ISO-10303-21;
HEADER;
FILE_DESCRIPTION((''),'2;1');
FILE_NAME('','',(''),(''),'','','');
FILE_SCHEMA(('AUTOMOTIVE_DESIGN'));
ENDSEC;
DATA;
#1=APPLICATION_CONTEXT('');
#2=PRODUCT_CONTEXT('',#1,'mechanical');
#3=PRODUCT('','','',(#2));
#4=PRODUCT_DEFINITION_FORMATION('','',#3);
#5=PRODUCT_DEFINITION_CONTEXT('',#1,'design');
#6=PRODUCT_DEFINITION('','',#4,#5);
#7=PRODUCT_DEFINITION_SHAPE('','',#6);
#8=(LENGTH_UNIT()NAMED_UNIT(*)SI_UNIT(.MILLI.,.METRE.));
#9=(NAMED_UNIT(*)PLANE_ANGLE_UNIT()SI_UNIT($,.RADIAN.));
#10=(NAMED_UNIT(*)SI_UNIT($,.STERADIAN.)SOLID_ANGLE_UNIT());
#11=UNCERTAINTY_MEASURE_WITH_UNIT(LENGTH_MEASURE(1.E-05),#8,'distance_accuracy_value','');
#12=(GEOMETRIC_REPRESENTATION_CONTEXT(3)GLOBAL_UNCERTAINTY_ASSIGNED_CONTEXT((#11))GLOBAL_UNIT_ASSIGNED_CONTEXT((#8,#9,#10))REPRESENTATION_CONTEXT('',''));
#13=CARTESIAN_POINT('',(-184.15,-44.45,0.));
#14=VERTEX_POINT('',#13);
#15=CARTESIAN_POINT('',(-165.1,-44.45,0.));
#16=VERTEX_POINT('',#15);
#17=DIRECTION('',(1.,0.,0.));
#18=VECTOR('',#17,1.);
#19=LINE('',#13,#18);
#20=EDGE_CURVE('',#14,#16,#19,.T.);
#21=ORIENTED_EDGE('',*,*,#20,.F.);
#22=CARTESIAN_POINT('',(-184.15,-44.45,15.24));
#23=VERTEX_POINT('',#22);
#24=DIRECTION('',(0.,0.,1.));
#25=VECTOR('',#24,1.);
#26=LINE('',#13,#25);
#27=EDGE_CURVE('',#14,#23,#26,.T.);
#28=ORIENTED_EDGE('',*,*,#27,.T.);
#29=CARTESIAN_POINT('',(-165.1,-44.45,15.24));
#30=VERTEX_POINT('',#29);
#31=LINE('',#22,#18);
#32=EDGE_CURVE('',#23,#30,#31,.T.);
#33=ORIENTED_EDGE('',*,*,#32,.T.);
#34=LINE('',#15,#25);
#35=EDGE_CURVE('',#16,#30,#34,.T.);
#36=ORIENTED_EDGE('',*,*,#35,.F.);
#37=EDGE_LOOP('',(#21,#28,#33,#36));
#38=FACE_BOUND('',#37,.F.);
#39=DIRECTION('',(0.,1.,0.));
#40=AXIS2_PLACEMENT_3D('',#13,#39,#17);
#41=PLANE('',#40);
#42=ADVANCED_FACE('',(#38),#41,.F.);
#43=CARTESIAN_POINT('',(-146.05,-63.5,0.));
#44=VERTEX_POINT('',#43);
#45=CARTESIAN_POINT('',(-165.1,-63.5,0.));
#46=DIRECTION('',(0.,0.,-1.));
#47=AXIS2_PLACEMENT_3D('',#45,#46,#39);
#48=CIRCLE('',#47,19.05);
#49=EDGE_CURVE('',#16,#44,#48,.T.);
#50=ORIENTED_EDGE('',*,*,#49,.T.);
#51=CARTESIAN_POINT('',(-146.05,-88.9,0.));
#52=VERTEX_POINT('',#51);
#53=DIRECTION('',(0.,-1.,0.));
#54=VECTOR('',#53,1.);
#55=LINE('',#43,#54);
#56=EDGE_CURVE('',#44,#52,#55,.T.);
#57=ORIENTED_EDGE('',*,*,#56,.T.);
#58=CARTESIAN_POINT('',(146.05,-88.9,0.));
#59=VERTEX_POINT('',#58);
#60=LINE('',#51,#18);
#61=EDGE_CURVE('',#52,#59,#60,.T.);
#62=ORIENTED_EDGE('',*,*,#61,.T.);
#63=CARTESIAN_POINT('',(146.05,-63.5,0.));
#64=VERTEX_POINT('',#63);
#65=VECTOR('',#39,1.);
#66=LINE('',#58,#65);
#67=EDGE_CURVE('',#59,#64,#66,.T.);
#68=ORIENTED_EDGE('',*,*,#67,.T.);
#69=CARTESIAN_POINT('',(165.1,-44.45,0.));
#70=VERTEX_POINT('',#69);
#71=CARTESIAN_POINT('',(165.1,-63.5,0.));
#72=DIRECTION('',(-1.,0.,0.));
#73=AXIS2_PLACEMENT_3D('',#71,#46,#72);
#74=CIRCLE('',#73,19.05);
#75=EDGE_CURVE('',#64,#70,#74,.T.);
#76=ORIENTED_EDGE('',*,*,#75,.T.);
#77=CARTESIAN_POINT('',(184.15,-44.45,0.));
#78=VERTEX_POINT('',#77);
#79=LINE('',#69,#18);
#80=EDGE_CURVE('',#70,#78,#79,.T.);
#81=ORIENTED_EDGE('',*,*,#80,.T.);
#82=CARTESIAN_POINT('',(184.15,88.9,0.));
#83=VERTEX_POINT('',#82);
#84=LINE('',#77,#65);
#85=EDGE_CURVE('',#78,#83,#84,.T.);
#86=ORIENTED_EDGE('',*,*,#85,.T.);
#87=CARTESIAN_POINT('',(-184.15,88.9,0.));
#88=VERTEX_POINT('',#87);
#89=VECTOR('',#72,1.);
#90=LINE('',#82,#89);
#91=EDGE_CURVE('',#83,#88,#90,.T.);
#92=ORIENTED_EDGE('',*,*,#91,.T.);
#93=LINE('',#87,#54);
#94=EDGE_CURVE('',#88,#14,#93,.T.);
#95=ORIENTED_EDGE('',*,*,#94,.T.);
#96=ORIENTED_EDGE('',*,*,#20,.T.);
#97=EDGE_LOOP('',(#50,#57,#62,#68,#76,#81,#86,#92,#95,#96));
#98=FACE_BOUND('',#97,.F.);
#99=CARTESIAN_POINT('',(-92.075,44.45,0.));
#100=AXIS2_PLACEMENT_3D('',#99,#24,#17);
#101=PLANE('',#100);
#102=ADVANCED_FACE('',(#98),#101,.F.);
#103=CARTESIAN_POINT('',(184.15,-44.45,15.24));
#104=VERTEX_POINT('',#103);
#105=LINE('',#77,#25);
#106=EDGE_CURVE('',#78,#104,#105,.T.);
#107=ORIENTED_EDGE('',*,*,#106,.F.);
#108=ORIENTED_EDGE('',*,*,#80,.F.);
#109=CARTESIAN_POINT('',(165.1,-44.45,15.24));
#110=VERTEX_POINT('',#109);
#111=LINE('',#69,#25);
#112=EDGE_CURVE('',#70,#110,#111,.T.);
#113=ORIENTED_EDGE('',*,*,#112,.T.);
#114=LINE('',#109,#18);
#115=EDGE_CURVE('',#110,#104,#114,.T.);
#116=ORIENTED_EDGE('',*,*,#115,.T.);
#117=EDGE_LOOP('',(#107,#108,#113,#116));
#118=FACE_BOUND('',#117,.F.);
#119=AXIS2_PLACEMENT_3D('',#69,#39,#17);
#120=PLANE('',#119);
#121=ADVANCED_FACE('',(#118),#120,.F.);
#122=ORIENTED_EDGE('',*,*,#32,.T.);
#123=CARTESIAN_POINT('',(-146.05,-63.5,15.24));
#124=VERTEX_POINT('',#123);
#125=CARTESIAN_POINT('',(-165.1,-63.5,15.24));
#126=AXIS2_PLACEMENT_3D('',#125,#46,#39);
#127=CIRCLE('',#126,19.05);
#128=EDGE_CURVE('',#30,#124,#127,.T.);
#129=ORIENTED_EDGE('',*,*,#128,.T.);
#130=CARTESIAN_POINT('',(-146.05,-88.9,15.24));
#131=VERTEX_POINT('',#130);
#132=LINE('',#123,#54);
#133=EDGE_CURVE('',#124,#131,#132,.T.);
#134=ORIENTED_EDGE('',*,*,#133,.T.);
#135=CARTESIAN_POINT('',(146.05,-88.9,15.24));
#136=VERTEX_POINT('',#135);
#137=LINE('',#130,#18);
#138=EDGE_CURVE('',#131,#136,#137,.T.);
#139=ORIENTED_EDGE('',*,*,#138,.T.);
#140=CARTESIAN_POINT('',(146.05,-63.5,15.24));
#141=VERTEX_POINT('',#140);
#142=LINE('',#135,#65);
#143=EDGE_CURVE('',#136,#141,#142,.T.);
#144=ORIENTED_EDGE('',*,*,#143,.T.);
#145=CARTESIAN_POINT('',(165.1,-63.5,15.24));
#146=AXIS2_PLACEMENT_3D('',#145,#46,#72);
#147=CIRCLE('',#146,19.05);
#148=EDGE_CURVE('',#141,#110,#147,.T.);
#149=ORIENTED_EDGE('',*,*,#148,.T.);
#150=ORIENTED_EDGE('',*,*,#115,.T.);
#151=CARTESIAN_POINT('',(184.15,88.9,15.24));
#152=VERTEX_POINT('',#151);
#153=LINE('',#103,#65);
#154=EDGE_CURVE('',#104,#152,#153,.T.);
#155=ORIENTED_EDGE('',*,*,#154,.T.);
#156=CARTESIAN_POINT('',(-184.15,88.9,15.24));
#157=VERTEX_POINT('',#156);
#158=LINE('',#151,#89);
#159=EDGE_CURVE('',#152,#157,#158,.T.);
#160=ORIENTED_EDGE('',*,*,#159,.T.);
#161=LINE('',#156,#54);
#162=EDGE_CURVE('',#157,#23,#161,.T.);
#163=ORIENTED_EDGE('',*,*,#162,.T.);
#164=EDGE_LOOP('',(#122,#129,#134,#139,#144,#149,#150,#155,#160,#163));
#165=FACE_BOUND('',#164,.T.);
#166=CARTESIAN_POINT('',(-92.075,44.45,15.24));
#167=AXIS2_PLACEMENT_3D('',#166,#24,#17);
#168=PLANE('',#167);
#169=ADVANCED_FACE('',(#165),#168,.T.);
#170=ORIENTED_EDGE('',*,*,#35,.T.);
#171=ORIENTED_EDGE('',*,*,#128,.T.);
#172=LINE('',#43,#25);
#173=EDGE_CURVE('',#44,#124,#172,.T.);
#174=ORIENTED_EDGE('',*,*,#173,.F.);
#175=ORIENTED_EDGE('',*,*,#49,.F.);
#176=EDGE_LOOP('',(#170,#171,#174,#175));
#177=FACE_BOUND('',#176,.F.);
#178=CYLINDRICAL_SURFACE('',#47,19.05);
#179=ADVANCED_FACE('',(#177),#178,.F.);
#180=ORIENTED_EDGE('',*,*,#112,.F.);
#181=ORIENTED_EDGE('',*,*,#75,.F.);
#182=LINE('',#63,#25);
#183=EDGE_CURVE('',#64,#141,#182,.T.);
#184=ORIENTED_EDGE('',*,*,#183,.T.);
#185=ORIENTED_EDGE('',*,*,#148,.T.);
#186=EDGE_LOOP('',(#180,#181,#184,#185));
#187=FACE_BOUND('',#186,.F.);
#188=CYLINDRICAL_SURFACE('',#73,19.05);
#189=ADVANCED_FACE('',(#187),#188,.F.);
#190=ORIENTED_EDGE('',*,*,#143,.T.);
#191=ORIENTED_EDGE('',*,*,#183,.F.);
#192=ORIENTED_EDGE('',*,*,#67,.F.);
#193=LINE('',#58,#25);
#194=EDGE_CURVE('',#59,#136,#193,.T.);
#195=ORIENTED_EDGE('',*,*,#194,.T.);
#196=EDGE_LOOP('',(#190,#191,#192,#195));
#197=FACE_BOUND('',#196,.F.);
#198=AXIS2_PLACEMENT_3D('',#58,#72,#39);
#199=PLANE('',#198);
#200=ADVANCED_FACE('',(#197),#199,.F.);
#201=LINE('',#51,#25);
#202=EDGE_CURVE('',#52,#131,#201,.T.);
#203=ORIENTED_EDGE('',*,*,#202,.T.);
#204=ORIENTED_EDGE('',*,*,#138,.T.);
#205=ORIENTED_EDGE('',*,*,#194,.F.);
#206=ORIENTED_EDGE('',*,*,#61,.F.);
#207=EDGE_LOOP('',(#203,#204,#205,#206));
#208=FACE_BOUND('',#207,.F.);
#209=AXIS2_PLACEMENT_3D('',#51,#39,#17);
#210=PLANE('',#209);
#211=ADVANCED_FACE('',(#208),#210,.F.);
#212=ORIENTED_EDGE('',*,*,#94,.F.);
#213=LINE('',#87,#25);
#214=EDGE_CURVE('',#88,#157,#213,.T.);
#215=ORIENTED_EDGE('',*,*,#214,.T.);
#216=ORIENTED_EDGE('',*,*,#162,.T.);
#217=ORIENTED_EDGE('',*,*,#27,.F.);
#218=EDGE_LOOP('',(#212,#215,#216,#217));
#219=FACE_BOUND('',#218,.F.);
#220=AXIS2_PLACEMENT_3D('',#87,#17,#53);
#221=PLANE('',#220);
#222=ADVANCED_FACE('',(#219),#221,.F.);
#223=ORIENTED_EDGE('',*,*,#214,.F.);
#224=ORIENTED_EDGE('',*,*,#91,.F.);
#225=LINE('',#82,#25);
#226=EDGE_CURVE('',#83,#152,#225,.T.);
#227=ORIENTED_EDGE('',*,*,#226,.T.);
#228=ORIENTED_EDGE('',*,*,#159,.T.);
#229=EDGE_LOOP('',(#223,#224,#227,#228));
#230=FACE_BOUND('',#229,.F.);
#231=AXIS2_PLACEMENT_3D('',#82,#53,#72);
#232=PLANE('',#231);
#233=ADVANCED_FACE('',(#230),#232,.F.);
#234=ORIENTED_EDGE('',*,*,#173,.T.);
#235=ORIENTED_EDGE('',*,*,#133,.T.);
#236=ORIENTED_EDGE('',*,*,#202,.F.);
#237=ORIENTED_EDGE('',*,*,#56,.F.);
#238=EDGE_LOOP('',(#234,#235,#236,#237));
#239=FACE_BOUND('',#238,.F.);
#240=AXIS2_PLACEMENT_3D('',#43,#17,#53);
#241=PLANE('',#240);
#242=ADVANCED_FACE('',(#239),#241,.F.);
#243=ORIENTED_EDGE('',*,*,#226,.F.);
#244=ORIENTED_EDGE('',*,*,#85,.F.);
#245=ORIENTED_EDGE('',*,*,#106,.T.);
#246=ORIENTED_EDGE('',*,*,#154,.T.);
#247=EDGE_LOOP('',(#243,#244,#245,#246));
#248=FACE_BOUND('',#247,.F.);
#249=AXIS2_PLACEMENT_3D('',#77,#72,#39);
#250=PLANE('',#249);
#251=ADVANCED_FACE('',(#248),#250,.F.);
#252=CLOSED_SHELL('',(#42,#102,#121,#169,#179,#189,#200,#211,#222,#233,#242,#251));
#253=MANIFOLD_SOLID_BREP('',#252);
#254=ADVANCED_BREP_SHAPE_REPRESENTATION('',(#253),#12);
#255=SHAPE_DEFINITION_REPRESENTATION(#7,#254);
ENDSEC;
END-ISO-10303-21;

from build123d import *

# Parameters (mm, degrees)
F0_W     = 184.15
F0_H     = 88.9
F1_DEPTH = 15.24


with BuildPart() as f1:
    # F0 (on Top) → F1 (new body)
    with BuildSketch(Plane.XY):
        with Locations((-92.075, 44.45)):
            Rectangle(F0_W, F0_H)
        with Locations((92.075, 44.45)):
            Rectangle(F0_W, F0_H)
        with BuildLine():
            Line((0, 0), (-184.15, 0))
            Line((-184.15, 0), (-184.15, -44.45))
            Line((-184.15, -44.45), (-165.1, -44.45))
            ThreePointArc((-165.1, -44.45), (-151.6296158184, -50.0296158184), (-146.05, -63.5))
            Line((-146.05, -63.5), (-146.05, -88.9))
            Line((-146.05, -88.9), (0, -88.9))
            Line((0, -88.9), (0, 0))
        make_face()
        with BuildLine():
            Line((184.15, 0), (0, 0))
            Line((0, 0), (0, -88.9))
            Line((0, -88.9), (146.05, -88.9))
            Line((146.05, -88.9), (146.05, -63.5))
            ThreePointArc((146.05, -63.5), (151.6296158184, -50.0296158184), (165.1, -44.45))
            Line((165.1, -44.45), (184.15, -44.45))
            Line((184.15, -44.45), (184.15, 0))
        make_face()
    extrude(amount=F1_DEPTH)


solid = f1.part
